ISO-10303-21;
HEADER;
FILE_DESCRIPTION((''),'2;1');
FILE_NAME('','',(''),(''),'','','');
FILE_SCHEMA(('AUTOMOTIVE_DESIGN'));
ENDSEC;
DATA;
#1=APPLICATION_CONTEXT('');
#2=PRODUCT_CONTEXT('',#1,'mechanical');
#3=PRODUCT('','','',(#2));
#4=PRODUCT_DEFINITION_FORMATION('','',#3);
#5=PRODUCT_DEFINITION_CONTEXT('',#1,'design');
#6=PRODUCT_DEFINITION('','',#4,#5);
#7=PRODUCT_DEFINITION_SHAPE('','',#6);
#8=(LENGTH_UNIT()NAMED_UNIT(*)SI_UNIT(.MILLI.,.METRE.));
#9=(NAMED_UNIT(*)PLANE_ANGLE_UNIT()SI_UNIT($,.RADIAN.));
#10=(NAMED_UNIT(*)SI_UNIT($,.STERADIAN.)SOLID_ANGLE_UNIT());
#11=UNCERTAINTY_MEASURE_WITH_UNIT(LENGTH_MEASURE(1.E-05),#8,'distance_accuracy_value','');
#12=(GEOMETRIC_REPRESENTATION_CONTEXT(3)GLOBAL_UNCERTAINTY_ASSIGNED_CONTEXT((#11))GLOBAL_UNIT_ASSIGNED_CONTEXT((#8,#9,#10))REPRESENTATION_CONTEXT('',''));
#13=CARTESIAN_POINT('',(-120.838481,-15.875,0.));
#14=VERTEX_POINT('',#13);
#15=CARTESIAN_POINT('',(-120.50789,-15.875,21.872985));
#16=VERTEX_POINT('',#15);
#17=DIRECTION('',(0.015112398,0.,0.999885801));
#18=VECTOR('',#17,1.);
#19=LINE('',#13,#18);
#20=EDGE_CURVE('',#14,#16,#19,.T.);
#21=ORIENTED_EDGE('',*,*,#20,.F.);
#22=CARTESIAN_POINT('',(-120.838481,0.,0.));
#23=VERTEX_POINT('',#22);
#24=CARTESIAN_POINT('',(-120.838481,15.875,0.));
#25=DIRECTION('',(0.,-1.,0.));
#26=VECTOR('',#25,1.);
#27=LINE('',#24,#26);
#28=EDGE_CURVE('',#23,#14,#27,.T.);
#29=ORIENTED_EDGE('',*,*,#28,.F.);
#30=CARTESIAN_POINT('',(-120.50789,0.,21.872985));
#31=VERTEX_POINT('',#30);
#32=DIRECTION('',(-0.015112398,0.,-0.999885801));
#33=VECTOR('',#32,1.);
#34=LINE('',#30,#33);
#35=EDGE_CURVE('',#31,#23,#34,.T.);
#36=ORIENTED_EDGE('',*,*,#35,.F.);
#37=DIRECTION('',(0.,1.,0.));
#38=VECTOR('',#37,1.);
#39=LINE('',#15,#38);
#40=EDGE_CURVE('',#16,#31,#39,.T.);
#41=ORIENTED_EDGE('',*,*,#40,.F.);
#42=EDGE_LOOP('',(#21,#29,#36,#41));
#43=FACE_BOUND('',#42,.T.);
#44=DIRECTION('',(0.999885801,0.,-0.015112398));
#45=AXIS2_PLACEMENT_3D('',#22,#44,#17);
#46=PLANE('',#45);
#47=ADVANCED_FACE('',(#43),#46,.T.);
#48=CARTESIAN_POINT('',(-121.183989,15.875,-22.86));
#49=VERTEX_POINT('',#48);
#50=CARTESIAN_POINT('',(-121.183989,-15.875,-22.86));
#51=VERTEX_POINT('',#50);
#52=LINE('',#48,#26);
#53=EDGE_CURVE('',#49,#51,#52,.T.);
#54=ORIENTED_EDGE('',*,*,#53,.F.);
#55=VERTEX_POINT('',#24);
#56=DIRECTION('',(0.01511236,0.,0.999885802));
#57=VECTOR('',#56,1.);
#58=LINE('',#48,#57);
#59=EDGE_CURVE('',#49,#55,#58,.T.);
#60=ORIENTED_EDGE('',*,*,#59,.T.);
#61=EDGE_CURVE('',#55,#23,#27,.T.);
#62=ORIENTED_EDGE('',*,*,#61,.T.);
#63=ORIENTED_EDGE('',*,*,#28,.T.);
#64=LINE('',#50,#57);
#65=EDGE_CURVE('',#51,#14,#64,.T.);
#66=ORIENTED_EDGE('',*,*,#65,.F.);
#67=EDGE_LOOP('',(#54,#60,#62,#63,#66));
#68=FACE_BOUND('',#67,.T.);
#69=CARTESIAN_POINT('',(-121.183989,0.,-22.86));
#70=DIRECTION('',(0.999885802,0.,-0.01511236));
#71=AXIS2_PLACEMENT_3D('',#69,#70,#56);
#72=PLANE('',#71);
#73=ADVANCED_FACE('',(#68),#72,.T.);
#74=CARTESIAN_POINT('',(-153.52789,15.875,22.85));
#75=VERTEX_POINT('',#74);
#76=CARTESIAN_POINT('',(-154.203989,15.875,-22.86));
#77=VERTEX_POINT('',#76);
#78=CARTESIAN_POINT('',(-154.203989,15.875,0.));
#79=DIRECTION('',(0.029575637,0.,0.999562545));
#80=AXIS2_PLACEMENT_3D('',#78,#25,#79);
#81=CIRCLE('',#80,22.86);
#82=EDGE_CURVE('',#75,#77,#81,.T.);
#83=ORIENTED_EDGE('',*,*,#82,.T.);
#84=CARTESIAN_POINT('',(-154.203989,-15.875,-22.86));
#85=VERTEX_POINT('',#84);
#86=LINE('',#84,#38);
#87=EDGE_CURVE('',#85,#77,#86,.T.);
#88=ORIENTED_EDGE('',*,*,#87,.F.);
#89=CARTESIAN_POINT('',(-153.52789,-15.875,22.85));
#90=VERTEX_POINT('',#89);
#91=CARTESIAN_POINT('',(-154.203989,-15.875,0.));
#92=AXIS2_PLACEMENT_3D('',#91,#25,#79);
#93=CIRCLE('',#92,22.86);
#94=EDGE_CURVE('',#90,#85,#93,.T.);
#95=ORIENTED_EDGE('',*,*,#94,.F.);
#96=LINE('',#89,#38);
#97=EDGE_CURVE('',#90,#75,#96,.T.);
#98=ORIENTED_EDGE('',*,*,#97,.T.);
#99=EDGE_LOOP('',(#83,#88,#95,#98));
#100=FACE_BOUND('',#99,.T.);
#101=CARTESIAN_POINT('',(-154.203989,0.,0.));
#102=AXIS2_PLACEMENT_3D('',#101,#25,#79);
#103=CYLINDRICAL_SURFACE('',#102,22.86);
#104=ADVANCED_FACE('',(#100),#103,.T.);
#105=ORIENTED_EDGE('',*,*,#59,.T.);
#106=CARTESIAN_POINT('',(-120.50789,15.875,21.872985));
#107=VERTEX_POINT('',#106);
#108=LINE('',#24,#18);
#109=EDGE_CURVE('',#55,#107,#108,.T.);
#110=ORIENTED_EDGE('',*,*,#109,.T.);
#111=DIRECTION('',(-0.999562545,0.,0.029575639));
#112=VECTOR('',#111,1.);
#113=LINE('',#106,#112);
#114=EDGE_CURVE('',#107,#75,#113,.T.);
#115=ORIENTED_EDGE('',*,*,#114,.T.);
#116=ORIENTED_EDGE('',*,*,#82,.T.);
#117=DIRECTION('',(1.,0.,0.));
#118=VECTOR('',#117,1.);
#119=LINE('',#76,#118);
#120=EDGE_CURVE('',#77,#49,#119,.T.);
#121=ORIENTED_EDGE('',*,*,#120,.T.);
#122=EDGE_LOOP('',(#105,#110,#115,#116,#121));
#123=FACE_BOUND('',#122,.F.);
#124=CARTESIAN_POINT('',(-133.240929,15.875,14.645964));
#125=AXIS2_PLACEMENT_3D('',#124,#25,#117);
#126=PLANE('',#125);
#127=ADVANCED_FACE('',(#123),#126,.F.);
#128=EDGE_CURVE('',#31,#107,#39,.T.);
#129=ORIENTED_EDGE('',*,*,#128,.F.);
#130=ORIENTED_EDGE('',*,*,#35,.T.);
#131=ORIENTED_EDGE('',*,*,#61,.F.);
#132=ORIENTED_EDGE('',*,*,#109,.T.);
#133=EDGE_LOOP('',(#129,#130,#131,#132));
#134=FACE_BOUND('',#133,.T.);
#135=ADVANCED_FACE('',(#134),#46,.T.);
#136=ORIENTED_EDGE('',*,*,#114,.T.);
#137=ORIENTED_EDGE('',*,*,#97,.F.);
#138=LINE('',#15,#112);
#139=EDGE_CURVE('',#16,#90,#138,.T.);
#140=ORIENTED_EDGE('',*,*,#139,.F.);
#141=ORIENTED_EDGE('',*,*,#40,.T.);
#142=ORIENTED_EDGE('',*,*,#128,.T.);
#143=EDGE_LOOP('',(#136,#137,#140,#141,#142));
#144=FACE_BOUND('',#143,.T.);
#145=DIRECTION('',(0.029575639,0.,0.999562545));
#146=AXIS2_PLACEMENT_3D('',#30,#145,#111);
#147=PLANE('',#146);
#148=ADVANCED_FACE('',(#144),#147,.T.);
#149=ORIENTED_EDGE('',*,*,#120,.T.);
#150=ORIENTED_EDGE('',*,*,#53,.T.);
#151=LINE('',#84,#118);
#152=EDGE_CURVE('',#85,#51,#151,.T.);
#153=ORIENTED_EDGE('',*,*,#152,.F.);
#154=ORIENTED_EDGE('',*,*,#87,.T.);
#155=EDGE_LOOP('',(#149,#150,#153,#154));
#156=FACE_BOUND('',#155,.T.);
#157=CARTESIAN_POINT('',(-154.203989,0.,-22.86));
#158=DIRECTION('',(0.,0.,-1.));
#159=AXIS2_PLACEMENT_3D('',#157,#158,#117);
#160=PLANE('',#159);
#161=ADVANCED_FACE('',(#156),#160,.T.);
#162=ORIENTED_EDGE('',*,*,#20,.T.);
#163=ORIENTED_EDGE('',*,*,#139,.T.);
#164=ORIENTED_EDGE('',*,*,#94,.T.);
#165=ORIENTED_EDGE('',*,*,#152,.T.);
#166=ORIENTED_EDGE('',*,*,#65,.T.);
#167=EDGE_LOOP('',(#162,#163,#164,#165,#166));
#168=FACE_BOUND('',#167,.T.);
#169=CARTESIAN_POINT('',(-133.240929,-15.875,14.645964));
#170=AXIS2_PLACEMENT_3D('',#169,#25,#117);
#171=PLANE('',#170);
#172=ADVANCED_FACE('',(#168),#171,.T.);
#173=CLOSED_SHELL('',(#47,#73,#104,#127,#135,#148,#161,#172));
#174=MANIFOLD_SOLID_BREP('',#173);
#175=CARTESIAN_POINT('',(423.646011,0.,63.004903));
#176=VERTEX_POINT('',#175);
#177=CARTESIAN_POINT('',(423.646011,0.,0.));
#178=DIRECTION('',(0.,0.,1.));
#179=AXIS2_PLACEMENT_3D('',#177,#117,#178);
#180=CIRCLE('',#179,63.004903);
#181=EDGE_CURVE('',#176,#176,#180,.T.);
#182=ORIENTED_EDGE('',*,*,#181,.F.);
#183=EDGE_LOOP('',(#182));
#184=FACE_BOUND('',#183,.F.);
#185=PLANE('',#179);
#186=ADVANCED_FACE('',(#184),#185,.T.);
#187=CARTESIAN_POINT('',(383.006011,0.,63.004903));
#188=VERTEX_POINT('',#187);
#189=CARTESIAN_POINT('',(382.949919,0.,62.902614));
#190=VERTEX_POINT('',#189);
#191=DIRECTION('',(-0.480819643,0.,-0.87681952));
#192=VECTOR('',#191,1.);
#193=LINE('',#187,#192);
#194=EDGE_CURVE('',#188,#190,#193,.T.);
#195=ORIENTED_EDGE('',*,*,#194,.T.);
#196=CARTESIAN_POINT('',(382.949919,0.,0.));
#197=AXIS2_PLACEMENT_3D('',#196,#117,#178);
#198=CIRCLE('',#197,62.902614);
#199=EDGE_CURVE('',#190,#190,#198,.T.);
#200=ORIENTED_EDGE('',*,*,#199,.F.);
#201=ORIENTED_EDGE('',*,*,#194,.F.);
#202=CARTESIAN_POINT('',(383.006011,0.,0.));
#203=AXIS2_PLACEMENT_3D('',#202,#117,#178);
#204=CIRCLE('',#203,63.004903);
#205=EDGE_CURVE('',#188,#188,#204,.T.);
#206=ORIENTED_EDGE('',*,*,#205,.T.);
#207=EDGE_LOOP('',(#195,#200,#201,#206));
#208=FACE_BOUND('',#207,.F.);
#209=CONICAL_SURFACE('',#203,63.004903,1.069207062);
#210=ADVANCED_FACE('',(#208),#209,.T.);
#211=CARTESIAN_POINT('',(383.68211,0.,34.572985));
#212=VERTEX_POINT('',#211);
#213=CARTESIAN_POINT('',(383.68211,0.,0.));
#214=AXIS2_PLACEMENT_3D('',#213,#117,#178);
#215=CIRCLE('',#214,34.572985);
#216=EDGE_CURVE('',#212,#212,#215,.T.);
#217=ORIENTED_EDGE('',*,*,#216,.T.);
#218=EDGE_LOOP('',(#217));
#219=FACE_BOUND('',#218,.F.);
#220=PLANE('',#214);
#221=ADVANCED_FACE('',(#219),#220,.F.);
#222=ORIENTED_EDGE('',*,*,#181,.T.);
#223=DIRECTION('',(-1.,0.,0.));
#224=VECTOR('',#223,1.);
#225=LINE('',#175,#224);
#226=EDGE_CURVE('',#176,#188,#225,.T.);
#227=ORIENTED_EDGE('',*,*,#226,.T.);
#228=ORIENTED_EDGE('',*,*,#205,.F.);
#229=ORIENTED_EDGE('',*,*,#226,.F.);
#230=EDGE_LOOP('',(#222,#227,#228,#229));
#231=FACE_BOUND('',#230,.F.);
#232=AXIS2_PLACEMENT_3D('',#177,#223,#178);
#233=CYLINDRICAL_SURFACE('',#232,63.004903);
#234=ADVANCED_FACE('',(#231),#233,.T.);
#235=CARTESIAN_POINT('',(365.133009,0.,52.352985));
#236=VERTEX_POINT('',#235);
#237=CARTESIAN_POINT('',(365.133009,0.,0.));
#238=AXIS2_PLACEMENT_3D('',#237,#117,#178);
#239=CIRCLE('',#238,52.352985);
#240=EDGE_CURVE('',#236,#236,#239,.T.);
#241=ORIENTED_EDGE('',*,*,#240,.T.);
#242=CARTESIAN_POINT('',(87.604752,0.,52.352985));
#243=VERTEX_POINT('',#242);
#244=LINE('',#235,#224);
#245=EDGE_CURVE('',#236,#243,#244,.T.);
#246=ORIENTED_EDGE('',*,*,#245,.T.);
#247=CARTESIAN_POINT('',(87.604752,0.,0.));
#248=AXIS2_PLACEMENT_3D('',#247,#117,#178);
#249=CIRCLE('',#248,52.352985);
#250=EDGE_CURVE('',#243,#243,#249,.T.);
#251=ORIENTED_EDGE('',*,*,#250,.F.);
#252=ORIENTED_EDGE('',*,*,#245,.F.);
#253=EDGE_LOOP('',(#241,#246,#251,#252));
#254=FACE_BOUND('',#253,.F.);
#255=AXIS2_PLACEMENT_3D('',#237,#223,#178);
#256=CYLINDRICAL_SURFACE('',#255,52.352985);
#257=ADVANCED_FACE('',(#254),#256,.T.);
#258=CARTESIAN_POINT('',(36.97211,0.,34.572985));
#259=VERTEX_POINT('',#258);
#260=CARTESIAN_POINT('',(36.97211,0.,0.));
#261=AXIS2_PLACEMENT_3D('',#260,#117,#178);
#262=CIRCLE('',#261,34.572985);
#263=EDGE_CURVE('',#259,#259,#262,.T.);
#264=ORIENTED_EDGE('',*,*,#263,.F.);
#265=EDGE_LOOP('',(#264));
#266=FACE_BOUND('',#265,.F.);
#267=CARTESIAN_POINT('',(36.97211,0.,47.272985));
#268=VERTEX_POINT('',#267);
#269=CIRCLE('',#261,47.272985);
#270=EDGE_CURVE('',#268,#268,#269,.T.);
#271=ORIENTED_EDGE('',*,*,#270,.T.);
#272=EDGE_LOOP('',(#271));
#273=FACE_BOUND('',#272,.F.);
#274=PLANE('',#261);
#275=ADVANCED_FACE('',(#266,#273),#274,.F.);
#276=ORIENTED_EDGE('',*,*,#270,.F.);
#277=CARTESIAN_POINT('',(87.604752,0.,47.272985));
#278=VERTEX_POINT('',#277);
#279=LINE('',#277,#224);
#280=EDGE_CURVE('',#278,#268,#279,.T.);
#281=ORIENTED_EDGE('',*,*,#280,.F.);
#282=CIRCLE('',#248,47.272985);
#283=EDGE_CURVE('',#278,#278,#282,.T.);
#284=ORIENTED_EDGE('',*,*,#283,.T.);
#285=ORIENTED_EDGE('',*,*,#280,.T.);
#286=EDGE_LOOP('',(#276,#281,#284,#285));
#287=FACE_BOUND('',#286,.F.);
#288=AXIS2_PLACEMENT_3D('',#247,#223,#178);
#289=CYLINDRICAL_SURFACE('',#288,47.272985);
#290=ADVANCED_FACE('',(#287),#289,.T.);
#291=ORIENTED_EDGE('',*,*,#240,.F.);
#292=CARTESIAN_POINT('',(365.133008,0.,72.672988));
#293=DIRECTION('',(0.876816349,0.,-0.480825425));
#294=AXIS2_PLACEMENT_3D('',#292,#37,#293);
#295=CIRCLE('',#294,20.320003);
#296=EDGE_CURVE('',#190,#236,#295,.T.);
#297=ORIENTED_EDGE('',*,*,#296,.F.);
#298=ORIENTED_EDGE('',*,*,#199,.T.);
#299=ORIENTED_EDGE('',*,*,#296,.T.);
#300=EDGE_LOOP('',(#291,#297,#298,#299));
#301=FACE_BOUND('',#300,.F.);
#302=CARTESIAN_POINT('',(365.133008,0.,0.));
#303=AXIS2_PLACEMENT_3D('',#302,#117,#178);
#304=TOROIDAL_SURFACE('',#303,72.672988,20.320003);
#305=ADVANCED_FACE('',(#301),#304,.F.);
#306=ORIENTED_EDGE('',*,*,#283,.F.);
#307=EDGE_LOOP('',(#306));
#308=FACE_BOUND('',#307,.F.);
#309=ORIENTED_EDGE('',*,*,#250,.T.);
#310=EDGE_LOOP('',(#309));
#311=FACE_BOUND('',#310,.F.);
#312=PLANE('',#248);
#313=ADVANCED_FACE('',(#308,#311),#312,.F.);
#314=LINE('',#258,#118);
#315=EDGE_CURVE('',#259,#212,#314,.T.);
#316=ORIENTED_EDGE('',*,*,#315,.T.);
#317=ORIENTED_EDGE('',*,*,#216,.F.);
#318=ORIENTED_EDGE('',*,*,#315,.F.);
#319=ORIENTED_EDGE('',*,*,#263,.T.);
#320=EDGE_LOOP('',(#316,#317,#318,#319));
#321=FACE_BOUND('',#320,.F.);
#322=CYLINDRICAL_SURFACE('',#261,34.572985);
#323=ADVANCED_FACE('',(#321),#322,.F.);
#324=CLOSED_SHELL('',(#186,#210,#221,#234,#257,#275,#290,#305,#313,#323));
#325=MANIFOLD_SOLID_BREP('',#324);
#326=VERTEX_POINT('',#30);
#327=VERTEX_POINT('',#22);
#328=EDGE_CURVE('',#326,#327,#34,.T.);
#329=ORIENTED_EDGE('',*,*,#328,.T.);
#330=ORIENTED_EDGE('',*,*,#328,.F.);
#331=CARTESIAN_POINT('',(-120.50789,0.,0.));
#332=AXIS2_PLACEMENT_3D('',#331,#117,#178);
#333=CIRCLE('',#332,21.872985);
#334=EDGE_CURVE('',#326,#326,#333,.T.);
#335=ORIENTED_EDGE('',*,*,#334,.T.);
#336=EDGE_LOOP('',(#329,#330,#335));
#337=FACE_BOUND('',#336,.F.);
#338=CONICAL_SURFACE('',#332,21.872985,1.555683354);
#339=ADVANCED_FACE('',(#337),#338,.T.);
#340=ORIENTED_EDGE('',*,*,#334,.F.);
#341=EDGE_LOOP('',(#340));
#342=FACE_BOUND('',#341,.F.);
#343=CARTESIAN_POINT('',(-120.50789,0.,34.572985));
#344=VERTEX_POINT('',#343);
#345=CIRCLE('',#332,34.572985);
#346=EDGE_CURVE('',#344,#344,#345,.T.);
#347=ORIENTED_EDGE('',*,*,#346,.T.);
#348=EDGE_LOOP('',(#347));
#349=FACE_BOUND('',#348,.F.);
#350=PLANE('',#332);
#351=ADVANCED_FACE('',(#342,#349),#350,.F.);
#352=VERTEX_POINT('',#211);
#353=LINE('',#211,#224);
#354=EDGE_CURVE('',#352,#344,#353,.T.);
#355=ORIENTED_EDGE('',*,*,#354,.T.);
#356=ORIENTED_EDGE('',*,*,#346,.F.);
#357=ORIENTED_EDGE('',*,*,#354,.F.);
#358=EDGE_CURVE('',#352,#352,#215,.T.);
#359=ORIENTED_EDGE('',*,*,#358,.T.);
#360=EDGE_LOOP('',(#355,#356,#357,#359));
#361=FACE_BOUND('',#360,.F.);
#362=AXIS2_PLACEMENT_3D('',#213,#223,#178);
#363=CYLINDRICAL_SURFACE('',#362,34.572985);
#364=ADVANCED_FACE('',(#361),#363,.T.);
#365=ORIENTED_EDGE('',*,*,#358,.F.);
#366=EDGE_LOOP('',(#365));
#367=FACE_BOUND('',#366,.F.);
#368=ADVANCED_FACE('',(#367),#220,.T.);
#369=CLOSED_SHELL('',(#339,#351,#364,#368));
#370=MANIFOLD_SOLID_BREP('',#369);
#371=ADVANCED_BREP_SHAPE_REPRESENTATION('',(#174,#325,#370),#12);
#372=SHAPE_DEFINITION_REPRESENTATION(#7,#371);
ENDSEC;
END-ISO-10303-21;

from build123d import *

# Parameters (mm, degrees)
F3_DEPTH = 15.875


with BuildPart() as f1:
    # F0 (on Front) → F1 (revolve)
    with BuildSketch(Plane.XZ):
        with BuildLine():
            Line((383.68211, 34.572985), (383.68211, 0))
            Line((383.68211, 0), (423.646011, 0))
            Line((423.646011, 0), (423.646011, 22.86))
            Line((423.646011, 22.86), (423.646011, 63.004903))
            Line((423.646011, 63.004903), (383.006011, 63.004903))
            Line((383.006011, 63.004903), (382.949919, 62.902614))
            ThreePointArc((382.949919, 62.902614), (375.485991, 55.188187), (365.133009, 52.352985))
            Line((365.133009, 52.352985), (87.604752, 52.352985))
            Line((87.604752, 52.352985), (87.604752, 47.272985))
            Line((87.604752, 47.272985), (44.59211, 47.272985))
            Line((44.59211, 47.272985), (36.97211, 47.272985))
            Line((36.97211, 47.272985), (36.97211, 34.572985))
            Line((36.97211, 34.572985), (383.68211, 34.572985))
        make_face()
    revolve(axis=Axis((179.978765, 0, 0), (1, 0, 0)))


with BuildPart() as f2:
    # F0 (on Front) → F2 (revolve)
    with BuildSketch(Plane.XZ):
        Polygon((-120.50789, 21.872985), (-120.838481, 0), (383.68211, 0), (383.68211, 34.572985), (36.97211, 34.572985), (-120.50789, 34.572985), align=None)
    revolve(axis=Axis((179.978765, 0, 0), (1, 0, 0)))

    # F0 (on Front) → F3 (join, symmetric)
    with BuildSketch(Plane.XZ):
        with BuildLine():
            ThreePointArc((-153.52789, 22.85), (-137.802233, 15.92363), (-131.343989, 0))
            Line((-131.343989, 0), (-120.838481, 0))
            Line((-120.838481, 0), (-120.50789, 21.872985))
            Line((-120.50789, 21.872985), (-153.52789, 22.85))
        make_face()
        with BuildLine():
            Line((-120.838481, 0), (-131.343989, 0))
            ThreePointArc((-131.343989, 0), (-138.039528, -16.164461), (-154.203989, -22.86))
            Line((-154.203989, -22.86), (-121.183989, -22.86))
            Line((-121.183989, -22.86), (-120.838481, 0))
        make_face()
        with BuildLine():
            ThreePointArc((-154.203989, -22.86), (-138.039528, -16.164461), (-131.343989, 0))
            Line((-131.343989, 0), (-154.203989, 0))
            Line((-154.203989, 0), (-154.203989, -22.86))
        make_face()
        with BuildLine():
            Line((-154.203989, 0), (-131.343989, 0))
            ThreePointArc((-131.343989, 0), (-137.802233, 15.92363), (-153.52789, 22.85))
            ThreePointArc((-153.52789, 22.85), (-177.061489, 0.338086), (-154.203989, -22.86))
            Line((-154.203989, -22.86), (-154.203989, 0))
        make_face()
    extrude(amount=F3_DEPTH, both=True)


solid = Compound([f1.part, f2.part])
